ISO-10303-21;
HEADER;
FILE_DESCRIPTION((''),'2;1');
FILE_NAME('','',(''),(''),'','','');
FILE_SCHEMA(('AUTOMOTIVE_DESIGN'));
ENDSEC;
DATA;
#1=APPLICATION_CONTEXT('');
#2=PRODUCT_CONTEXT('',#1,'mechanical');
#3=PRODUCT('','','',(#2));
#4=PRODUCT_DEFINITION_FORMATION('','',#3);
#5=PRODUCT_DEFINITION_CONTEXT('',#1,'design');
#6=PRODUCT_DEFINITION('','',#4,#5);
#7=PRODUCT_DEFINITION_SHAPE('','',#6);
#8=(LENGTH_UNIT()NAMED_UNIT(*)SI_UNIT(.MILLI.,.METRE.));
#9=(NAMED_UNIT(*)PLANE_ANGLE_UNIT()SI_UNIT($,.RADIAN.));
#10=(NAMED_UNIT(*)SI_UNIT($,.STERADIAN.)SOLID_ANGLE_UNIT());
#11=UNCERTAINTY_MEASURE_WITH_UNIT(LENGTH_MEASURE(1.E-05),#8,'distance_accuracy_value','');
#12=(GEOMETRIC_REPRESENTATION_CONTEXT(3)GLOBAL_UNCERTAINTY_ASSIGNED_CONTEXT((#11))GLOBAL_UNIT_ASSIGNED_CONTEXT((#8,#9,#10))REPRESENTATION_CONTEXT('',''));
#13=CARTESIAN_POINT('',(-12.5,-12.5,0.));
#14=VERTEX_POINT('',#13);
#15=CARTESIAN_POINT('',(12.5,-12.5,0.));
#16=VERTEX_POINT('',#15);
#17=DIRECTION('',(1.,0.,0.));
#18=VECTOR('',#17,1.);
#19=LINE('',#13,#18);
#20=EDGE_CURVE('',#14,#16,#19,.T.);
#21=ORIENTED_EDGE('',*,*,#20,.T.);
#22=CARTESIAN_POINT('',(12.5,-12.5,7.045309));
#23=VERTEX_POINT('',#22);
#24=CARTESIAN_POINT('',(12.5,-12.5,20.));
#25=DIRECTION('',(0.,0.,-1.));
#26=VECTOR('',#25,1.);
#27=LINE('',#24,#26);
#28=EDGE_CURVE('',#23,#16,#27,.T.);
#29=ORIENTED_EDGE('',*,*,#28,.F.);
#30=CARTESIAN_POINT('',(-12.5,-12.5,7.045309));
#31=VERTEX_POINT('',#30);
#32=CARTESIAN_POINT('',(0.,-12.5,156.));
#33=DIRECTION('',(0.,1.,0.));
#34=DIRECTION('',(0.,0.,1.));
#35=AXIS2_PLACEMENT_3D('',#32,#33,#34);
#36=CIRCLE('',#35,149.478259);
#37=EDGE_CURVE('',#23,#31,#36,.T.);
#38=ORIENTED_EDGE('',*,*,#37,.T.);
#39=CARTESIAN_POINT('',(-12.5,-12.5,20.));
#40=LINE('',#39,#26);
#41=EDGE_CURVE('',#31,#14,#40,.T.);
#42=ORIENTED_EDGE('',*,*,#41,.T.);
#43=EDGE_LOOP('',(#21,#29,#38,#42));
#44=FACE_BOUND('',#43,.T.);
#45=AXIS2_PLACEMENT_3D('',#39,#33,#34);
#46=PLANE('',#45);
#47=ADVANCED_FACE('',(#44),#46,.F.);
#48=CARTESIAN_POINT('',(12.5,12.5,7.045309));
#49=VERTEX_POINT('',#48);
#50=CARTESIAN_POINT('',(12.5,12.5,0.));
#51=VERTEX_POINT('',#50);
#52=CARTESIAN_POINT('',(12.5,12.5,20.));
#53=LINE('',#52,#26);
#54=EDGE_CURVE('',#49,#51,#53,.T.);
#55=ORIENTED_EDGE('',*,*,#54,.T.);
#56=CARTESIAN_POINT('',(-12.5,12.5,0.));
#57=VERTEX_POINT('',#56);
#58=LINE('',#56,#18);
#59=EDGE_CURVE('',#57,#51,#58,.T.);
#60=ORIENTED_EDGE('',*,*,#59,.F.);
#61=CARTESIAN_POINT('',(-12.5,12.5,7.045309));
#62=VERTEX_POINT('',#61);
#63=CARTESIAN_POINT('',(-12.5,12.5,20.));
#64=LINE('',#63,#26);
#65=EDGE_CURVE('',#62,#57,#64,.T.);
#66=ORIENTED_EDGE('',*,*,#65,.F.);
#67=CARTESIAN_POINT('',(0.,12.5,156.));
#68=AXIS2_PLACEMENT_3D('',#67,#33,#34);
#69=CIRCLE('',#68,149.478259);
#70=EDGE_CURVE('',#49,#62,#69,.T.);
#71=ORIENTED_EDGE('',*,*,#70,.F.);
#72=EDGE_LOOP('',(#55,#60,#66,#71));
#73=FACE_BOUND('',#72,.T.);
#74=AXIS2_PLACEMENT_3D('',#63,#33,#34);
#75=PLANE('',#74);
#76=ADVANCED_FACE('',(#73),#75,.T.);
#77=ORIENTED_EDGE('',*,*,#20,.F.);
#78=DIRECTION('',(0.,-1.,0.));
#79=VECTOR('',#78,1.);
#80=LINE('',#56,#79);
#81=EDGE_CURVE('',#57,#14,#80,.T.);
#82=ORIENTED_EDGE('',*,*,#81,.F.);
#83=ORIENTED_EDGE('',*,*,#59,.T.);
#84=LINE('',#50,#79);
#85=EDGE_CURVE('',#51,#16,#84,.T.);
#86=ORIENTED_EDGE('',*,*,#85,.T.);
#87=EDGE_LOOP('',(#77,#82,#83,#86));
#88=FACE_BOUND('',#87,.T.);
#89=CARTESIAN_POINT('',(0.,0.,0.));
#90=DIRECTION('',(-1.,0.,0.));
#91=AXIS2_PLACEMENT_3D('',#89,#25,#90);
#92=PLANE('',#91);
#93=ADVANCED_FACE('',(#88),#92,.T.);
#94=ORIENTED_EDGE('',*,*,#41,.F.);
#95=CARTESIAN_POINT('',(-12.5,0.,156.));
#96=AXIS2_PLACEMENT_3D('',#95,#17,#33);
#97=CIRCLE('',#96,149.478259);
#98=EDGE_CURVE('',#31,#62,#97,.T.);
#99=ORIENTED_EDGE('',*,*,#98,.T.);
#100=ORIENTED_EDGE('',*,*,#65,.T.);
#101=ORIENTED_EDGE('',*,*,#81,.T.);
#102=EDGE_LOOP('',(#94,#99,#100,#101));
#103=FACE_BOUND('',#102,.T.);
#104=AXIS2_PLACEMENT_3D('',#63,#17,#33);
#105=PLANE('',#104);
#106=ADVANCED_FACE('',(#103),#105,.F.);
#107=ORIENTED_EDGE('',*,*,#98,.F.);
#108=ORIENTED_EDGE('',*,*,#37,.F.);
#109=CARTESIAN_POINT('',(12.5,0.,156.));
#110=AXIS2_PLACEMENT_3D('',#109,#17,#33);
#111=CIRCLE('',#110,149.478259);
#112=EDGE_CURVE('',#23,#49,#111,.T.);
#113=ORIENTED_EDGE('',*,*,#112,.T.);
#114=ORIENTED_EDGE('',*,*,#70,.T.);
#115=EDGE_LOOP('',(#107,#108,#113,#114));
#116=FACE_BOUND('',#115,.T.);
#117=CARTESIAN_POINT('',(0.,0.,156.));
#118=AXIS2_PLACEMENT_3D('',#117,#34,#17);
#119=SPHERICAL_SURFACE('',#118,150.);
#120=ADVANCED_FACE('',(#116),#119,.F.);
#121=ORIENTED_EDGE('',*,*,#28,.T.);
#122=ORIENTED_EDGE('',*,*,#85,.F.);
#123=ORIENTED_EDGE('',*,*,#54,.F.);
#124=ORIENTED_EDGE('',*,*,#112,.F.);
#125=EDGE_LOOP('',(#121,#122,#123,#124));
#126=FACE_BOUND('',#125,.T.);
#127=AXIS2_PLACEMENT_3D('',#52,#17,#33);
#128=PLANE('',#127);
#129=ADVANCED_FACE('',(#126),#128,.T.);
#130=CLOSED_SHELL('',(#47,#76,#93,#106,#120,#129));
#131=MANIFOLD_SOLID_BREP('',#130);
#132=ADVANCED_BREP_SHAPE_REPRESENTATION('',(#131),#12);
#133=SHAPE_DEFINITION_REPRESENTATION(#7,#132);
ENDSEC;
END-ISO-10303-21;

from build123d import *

# Parameters (mm, degrees)
SKETCH_1_W      = 25
SKETCH_1_H      = 25
EXTRUDE_1_DEPTH = 20


with BuildPart() as part:
    # 草图1 → 凸台-拉伸1 (new body)
    with BuildSketch(Plane.XY):
        Rectangle(SKETCH_1_W, SKETCH_1_H)
    extrude(amount=EXTRUDE_1_DEPTH)

    # 草图2 → 切除-旋转2 (revolve, cut)
    with BuildSketch(Plane(origin=(0, 0, 0), x_dir=(1, 0, 0), z_dir=(0, 1, 0))):
        with BuildLine():
            Line((146.226819272, -122.567720305), (0, -122.567720305))
            Line((0, -122.567720305), (0, -6))
            ThreePointArc((0, -6), (93.501759464, -38.70796712), (146.226819272, -122.567720305))
        make_face()
    revolve(axis=Axis((0, 0, 122.567720305), (0, 0, -1)), mode=Mode.SUBTRACT)


solid = part.part
